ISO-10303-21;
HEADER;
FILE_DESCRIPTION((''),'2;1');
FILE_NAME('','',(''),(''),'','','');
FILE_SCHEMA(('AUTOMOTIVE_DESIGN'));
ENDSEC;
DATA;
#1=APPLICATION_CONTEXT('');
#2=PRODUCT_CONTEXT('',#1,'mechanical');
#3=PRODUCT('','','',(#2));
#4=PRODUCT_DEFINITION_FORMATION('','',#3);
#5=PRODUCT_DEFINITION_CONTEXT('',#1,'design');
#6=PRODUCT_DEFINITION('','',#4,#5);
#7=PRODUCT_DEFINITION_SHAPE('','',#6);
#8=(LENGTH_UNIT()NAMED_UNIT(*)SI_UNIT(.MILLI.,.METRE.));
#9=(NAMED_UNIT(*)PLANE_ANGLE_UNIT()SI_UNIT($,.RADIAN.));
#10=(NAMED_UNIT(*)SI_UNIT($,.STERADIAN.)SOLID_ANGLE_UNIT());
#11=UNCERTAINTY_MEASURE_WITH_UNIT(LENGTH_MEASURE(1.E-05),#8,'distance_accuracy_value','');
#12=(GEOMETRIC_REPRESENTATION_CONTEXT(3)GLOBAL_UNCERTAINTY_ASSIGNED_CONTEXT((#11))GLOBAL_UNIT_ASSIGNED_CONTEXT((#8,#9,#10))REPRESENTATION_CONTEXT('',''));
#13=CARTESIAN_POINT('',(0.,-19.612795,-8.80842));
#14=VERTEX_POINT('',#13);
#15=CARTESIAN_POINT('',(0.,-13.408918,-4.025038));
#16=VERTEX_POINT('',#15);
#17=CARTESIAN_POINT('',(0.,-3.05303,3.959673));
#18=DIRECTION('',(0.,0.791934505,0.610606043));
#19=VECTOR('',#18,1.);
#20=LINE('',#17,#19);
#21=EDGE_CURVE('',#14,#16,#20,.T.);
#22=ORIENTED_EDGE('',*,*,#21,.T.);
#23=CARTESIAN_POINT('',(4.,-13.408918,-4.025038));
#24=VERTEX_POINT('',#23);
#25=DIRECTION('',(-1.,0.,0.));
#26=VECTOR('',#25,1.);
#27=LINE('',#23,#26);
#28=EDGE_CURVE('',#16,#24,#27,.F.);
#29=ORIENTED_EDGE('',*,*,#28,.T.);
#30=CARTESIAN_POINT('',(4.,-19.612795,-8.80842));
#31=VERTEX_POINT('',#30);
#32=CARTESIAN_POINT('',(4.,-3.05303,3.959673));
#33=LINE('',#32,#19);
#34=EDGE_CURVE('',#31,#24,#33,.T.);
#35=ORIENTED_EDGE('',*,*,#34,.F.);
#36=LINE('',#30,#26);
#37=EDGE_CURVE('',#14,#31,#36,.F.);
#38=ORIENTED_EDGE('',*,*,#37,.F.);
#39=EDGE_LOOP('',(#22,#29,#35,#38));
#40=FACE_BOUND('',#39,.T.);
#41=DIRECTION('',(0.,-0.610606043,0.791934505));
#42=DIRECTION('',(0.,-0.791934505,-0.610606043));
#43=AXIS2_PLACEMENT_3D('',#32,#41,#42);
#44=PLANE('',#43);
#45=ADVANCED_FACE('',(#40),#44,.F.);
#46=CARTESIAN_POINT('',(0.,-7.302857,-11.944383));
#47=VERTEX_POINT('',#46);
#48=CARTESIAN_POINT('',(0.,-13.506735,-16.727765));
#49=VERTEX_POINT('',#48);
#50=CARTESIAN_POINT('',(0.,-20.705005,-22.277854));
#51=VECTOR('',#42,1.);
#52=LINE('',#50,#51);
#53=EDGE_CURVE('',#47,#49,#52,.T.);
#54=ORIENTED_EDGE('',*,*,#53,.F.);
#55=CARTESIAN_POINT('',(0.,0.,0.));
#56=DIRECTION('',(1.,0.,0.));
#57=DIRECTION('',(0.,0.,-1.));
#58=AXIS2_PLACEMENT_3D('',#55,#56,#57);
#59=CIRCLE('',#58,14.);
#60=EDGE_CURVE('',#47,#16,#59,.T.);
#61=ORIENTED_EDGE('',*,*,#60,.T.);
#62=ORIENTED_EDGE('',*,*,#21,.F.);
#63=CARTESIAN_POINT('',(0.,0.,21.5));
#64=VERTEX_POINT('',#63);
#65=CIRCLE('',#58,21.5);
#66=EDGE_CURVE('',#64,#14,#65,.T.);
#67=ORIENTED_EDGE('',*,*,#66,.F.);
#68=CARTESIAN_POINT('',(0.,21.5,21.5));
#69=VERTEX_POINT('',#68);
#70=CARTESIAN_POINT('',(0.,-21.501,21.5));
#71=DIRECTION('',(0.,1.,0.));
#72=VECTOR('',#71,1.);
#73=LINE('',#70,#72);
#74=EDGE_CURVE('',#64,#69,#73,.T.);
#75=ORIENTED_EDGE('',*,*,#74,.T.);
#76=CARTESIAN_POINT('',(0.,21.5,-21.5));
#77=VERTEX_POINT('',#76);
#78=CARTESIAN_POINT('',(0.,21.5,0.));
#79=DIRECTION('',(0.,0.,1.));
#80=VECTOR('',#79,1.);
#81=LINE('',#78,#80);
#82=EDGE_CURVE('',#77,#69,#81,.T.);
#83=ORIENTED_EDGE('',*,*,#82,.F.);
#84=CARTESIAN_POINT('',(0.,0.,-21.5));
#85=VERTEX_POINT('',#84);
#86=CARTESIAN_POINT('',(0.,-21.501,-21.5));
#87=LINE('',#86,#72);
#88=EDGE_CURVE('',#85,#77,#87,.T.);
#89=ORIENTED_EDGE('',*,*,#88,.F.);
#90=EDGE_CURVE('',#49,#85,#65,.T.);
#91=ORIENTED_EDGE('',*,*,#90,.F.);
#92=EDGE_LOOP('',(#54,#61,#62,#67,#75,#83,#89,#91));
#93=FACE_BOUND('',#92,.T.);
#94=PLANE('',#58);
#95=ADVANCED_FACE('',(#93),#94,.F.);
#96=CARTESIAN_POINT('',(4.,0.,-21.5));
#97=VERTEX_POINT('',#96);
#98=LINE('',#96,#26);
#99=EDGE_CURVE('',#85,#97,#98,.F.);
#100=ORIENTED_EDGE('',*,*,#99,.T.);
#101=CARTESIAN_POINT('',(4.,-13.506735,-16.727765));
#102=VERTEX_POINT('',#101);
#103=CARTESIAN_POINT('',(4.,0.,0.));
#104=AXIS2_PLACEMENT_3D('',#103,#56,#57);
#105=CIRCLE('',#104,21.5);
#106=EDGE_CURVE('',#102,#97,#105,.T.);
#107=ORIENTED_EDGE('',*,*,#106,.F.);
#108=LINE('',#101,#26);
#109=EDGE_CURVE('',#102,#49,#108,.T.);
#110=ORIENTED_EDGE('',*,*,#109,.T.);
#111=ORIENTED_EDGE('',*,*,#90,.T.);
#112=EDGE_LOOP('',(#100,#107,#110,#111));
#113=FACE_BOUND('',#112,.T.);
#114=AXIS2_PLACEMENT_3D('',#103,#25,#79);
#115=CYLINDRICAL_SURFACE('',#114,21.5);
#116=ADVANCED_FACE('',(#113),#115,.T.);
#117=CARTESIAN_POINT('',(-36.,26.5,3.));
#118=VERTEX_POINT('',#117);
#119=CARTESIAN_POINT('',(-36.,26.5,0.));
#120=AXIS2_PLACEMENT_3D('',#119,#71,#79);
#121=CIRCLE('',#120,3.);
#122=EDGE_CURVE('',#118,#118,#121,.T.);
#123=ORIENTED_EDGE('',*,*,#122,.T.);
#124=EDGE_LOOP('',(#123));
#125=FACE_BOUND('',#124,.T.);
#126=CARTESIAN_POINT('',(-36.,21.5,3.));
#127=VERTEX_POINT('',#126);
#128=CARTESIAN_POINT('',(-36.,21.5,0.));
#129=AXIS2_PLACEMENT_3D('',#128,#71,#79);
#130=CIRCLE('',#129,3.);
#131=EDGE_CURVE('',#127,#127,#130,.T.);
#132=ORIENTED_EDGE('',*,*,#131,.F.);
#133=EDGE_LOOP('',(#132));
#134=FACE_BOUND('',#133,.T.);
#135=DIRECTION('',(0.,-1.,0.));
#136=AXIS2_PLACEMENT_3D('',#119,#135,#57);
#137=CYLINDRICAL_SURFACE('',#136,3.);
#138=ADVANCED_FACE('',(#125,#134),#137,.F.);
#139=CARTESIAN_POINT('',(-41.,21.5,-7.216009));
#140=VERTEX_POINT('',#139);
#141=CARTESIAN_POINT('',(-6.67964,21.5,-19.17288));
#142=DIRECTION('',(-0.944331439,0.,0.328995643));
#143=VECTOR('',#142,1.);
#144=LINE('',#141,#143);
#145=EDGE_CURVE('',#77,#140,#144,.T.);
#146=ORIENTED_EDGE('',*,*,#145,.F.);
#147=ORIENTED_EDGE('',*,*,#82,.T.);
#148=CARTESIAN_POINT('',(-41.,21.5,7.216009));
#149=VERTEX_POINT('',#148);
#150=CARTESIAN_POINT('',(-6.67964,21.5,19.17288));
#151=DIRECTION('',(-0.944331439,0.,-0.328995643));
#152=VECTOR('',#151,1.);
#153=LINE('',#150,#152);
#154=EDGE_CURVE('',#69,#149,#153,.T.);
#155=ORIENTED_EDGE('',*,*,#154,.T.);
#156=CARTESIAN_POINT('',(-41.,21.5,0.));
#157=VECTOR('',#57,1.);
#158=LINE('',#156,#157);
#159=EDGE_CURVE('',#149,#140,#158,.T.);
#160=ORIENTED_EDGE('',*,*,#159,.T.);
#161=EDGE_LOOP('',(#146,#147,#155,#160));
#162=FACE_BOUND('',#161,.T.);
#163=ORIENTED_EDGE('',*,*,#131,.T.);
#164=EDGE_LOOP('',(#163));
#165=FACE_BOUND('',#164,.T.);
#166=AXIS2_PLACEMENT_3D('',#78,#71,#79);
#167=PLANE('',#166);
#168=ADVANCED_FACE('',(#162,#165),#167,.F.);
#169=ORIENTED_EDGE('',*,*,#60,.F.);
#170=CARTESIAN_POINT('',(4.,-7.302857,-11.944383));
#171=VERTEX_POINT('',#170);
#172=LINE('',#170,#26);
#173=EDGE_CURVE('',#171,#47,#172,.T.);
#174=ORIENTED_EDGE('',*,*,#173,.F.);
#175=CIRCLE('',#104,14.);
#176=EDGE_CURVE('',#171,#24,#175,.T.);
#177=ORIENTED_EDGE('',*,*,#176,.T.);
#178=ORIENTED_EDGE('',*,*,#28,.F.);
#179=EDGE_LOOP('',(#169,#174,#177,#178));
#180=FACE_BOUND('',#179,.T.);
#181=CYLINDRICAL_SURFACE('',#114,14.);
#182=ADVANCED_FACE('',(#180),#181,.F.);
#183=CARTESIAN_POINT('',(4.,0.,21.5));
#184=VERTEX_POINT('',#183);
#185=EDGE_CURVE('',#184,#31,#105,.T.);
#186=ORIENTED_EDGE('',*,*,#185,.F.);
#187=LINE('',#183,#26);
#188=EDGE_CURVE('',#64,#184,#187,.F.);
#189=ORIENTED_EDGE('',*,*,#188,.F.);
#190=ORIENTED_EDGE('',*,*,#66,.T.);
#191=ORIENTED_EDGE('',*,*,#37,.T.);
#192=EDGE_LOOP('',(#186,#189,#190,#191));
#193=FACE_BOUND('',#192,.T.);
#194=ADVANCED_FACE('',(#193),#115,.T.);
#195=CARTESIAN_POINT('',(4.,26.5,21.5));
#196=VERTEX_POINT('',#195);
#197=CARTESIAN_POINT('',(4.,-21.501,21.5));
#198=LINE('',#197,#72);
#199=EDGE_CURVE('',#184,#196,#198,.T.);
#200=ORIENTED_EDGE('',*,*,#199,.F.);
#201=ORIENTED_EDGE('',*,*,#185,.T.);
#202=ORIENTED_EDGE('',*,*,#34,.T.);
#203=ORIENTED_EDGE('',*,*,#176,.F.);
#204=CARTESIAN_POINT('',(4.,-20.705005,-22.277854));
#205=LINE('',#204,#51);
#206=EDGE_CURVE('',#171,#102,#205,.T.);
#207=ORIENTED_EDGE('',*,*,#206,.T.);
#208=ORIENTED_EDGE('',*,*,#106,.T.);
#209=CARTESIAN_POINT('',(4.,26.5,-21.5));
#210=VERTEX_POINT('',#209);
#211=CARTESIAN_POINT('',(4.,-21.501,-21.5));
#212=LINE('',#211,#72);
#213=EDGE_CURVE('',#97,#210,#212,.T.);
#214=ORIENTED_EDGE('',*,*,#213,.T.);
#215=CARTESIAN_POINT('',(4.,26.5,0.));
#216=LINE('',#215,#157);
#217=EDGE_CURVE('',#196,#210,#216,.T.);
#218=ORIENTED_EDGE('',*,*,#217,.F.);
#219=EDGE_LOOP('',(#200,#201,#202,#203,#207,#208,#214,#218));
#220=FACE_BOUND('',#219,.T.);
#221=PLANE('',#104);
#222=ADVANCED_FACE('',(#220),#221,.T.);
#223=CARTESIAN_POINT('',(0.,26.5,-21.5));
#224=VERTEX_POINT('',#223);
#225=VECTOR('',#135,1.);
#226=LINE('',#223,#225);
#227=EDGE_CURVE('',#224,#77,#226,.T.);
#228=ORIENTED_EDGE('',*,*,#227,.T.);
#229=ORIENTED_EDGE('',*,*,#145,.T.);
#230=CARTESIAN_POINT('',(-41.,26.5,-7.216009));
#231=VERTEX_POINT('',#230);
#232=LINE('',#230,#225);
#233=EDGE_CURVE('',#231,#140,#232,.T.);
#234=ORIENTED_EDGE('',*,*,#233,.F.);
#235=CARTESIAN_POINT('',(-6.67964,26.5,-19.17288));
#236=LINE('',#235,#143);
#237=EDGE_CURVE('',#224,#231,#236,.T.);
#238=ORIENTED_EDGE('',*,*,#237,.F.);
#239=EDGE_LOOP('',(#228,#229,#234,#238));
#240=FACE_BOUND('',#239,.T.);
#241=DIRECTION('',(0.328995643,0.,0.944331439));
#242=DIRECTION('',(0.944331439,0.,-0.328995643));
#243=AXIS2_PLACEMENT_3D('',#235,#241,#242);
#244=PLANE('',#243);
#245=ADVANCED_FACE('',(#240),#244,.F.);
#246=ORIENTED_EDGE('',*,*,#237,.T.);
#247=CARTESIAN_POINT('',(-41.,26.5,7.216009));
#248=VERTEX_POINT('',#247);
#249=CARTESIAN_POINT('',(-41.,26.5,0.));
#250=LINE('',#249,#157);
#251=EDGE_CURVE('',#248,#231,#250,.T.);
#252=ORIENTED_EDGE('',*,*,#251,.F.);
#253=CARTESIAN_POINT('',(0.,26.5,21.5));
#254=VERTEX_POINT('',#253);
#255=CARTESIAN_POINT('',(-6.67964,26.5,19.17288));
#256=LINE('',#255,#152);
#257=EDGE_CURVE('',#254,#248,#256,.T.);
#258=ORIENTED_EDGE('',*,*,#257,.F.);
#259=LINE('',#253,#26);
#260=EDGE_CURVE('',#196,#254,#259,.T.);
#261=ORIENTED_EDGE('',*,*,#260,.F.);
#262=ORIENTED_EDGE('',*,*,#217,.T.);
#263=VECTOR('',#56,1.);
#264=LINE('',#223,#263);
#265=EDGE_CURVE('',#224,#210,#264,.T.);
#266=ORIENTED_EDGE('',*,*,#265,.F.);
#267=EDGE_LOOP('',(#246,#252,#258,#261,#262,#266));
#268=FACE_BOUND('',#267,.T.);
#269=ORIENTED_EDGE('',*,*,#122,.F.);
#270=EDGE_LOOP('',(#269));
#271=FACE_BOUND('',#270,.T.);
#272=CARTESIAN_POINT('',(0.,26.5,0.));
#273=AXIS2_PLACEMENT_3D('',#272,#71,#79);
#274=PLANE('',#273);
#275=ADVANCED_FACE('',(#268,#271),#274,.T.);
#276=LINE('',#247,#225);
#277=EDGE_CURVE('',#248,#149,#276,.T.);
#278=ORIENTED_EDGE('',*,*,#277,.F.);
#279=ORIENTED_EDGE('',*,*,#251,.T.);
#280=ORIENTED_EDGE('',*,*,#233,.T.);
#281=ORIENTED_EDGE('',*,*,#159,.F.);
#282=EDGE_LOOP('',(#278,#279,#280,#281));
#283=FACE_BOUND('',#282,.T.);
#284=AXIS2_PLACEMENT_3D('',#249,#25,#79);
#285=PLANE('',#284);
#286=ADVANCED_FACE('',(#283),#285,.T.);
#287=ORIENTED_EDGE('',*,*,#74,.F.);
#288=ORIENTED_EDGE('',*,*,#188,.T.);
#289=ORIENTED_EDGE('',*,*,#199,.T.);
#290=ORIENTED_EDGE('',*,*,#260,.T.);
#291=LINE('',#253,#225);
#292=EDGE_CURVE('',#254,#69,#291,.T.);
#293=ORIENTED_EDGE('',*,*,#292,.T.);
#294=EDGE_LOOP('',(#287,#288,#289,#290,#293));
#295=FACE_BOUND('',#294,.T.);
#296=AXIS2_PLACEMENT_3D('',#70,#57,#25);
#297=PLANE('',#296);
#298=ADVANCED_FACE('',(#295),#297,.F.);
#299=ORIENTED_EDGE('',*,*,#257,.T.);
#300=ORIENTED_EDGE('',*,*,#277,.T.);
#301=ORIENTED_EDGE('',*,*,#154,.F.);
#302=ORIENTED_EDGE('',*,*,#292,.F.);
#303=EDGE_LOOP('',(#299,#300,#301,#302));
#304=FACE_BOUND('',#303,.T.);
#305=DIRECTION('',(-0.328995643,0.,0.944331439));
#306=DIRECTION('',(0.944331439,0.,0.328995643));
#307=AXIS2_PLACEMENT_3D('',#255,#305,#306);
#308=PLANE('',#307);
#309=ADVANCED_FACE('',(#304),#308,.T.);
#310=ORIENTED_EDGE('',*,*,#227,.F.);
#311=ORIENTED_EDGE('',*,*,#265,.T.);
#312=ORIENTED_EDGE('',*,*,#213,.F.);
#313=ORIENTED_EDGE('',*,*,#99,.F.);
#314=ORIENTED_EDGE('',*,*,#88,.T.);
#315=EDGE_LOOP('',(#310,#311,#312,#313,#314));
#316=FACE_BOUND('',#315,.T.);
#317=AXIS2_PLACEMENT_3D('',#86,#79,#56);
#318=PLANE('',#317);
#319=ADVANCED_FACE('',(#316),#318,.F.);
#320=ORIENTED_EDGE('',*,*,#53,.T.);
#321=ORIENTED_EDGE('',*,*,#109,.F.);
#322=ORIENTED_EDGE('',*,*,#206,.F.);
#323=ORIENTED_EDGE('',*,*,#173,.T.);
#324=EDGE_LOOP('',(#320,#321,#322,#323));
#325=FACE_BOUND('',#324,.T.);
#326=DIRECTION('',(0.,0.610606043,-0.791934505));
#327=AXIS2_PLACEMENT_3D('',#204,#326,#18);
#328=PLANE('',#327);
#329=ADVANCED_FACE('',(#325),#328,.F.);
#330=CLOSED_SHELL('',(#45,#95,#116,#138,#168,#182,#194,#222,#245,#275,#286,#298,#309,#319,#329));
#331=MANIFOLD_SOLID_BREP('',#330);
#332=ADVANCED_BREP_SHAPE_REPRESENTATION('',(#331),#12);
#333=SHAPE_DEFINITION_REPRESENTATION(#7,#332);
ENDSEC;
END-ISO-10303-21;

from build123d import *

# Parameters (mm, degrees)
SKETCH1_R                = 21.5
SKETCH1_R_2              = 14
BOSS_EXTRUDE1_DEPTH      = 4
BOSS_EXTRUDE2_REACH      = 50.242
BOSS_EXTRUDE2_END_RADIUS = 21.5
SKETCH2_W                = 4
SKETCH2_H                = 43
SKETCH2_3_W              = 45
SKETCH2_3_H              = 43
SKETCH2_3_R              = 3
BOSS_EXTRUDE3_DEPTH      = 5
CUT_EXTRUDE4_DEPTH       = 64.184254368
WIRE_BREAK_DEPTH         = 54.343228249


with BuildPart() as part:
    # Sketch1 → Boss-Extrude1 (new body)
    with BuildSketch(Plane(origin=(0, 0, 0), x_dir=(0, 0, -1), z_dir=(1, 0, 0))):
        Circle(SKETCH1_R)
        Circle(SKETCH1_R_2, mode=Mode.SUBTRACT)
    extrude(amount=BOSS_EXTRUDE1_DEPTH)

    # Boss-Extrude2: up to this cylinder (the profile starts outside it)
    boss_extrude2_end = Plane(origin=(2, 0, 0), z_dir=(-1, 0, 0)) * Cylinder(BOSS_EXTRUDE2_END_RADIUS, 144.484, mode=Mode.PRIVATE)
    # Sketch2 → Boss-Extrude2 (add, up to the surface)
    with BuildSketch(Plane(origin=(0, 21.5, 0), x_dir=(1, 0, 0), z_dir=(0, 1, 0)), mode=Mode.PRIVATE) as boss_extrude2_sk1:
        with Locations((2, 0)):
            Rectangle(SKETCH2_W, SKETCH2_H)
    boss_extrude2_tool1 = extrude(boss_extrude2_sk1.sketch, amount=-BOSS_EXTRUDE2_REACH, mode=Mode.PRIVATE) - boss_extrude2_end
    add(boss_extrude2_tool1.solids().sort_by_distance((2, 21.5, 0))[0])
    add(boss_extrude2_tool1.solids().sort_by_distance((2, 21.5, 0))[1])

    # Sketch2<3> → Boss-Extrude3 (add)
    with BuildSketch(Plane(origin=(0, 21.5, 0), x_dir=(1, 0, 0), z_dir=(0, 1, 0))):
        with Locations((-18.5, 0)):
            Rectangle(SKETCH2_3_W, SKETCH2_3_H)
        with Locations((-36, 0)):
            Circle(SKETCH2_3_R, mode=Mode.SUBTRACT)
    extrude(amount=BOSS_EXTRUDE3_DEPTH)

    # Sketch3 → Cut-Extrude4 (cut, through all)
    with BuildSketch(Plane.XZ.offset(-21.5)):
        Polygon((-41, -7.216009452), (-41, -28.471778575), (0, -28.471778575), (0, -21.5), align=None)
        Polygon((-41, 27.25128432), (-41, 7.216009452), (0, 21.5), (0, 27.25128432), align=None)
    extrude(amount=-CUT_EXTRUDE4_DEPTH, mode=Mode.SUBTRACT)

    # Sketch4 → wire break (cut, through all)
    with BuildSketch(Plane.ZY):
        Polygon((-3.959672524, 3.053030216), (3.959672524, -3.053030216), (-14.358508771, -26.811065363), (-22.27785382, -20.705004931), align=None)
    extrude(amount=-WIRE_BREAK_DEPTH, mode=Mode.SUBTRACT)


solid = part.part
